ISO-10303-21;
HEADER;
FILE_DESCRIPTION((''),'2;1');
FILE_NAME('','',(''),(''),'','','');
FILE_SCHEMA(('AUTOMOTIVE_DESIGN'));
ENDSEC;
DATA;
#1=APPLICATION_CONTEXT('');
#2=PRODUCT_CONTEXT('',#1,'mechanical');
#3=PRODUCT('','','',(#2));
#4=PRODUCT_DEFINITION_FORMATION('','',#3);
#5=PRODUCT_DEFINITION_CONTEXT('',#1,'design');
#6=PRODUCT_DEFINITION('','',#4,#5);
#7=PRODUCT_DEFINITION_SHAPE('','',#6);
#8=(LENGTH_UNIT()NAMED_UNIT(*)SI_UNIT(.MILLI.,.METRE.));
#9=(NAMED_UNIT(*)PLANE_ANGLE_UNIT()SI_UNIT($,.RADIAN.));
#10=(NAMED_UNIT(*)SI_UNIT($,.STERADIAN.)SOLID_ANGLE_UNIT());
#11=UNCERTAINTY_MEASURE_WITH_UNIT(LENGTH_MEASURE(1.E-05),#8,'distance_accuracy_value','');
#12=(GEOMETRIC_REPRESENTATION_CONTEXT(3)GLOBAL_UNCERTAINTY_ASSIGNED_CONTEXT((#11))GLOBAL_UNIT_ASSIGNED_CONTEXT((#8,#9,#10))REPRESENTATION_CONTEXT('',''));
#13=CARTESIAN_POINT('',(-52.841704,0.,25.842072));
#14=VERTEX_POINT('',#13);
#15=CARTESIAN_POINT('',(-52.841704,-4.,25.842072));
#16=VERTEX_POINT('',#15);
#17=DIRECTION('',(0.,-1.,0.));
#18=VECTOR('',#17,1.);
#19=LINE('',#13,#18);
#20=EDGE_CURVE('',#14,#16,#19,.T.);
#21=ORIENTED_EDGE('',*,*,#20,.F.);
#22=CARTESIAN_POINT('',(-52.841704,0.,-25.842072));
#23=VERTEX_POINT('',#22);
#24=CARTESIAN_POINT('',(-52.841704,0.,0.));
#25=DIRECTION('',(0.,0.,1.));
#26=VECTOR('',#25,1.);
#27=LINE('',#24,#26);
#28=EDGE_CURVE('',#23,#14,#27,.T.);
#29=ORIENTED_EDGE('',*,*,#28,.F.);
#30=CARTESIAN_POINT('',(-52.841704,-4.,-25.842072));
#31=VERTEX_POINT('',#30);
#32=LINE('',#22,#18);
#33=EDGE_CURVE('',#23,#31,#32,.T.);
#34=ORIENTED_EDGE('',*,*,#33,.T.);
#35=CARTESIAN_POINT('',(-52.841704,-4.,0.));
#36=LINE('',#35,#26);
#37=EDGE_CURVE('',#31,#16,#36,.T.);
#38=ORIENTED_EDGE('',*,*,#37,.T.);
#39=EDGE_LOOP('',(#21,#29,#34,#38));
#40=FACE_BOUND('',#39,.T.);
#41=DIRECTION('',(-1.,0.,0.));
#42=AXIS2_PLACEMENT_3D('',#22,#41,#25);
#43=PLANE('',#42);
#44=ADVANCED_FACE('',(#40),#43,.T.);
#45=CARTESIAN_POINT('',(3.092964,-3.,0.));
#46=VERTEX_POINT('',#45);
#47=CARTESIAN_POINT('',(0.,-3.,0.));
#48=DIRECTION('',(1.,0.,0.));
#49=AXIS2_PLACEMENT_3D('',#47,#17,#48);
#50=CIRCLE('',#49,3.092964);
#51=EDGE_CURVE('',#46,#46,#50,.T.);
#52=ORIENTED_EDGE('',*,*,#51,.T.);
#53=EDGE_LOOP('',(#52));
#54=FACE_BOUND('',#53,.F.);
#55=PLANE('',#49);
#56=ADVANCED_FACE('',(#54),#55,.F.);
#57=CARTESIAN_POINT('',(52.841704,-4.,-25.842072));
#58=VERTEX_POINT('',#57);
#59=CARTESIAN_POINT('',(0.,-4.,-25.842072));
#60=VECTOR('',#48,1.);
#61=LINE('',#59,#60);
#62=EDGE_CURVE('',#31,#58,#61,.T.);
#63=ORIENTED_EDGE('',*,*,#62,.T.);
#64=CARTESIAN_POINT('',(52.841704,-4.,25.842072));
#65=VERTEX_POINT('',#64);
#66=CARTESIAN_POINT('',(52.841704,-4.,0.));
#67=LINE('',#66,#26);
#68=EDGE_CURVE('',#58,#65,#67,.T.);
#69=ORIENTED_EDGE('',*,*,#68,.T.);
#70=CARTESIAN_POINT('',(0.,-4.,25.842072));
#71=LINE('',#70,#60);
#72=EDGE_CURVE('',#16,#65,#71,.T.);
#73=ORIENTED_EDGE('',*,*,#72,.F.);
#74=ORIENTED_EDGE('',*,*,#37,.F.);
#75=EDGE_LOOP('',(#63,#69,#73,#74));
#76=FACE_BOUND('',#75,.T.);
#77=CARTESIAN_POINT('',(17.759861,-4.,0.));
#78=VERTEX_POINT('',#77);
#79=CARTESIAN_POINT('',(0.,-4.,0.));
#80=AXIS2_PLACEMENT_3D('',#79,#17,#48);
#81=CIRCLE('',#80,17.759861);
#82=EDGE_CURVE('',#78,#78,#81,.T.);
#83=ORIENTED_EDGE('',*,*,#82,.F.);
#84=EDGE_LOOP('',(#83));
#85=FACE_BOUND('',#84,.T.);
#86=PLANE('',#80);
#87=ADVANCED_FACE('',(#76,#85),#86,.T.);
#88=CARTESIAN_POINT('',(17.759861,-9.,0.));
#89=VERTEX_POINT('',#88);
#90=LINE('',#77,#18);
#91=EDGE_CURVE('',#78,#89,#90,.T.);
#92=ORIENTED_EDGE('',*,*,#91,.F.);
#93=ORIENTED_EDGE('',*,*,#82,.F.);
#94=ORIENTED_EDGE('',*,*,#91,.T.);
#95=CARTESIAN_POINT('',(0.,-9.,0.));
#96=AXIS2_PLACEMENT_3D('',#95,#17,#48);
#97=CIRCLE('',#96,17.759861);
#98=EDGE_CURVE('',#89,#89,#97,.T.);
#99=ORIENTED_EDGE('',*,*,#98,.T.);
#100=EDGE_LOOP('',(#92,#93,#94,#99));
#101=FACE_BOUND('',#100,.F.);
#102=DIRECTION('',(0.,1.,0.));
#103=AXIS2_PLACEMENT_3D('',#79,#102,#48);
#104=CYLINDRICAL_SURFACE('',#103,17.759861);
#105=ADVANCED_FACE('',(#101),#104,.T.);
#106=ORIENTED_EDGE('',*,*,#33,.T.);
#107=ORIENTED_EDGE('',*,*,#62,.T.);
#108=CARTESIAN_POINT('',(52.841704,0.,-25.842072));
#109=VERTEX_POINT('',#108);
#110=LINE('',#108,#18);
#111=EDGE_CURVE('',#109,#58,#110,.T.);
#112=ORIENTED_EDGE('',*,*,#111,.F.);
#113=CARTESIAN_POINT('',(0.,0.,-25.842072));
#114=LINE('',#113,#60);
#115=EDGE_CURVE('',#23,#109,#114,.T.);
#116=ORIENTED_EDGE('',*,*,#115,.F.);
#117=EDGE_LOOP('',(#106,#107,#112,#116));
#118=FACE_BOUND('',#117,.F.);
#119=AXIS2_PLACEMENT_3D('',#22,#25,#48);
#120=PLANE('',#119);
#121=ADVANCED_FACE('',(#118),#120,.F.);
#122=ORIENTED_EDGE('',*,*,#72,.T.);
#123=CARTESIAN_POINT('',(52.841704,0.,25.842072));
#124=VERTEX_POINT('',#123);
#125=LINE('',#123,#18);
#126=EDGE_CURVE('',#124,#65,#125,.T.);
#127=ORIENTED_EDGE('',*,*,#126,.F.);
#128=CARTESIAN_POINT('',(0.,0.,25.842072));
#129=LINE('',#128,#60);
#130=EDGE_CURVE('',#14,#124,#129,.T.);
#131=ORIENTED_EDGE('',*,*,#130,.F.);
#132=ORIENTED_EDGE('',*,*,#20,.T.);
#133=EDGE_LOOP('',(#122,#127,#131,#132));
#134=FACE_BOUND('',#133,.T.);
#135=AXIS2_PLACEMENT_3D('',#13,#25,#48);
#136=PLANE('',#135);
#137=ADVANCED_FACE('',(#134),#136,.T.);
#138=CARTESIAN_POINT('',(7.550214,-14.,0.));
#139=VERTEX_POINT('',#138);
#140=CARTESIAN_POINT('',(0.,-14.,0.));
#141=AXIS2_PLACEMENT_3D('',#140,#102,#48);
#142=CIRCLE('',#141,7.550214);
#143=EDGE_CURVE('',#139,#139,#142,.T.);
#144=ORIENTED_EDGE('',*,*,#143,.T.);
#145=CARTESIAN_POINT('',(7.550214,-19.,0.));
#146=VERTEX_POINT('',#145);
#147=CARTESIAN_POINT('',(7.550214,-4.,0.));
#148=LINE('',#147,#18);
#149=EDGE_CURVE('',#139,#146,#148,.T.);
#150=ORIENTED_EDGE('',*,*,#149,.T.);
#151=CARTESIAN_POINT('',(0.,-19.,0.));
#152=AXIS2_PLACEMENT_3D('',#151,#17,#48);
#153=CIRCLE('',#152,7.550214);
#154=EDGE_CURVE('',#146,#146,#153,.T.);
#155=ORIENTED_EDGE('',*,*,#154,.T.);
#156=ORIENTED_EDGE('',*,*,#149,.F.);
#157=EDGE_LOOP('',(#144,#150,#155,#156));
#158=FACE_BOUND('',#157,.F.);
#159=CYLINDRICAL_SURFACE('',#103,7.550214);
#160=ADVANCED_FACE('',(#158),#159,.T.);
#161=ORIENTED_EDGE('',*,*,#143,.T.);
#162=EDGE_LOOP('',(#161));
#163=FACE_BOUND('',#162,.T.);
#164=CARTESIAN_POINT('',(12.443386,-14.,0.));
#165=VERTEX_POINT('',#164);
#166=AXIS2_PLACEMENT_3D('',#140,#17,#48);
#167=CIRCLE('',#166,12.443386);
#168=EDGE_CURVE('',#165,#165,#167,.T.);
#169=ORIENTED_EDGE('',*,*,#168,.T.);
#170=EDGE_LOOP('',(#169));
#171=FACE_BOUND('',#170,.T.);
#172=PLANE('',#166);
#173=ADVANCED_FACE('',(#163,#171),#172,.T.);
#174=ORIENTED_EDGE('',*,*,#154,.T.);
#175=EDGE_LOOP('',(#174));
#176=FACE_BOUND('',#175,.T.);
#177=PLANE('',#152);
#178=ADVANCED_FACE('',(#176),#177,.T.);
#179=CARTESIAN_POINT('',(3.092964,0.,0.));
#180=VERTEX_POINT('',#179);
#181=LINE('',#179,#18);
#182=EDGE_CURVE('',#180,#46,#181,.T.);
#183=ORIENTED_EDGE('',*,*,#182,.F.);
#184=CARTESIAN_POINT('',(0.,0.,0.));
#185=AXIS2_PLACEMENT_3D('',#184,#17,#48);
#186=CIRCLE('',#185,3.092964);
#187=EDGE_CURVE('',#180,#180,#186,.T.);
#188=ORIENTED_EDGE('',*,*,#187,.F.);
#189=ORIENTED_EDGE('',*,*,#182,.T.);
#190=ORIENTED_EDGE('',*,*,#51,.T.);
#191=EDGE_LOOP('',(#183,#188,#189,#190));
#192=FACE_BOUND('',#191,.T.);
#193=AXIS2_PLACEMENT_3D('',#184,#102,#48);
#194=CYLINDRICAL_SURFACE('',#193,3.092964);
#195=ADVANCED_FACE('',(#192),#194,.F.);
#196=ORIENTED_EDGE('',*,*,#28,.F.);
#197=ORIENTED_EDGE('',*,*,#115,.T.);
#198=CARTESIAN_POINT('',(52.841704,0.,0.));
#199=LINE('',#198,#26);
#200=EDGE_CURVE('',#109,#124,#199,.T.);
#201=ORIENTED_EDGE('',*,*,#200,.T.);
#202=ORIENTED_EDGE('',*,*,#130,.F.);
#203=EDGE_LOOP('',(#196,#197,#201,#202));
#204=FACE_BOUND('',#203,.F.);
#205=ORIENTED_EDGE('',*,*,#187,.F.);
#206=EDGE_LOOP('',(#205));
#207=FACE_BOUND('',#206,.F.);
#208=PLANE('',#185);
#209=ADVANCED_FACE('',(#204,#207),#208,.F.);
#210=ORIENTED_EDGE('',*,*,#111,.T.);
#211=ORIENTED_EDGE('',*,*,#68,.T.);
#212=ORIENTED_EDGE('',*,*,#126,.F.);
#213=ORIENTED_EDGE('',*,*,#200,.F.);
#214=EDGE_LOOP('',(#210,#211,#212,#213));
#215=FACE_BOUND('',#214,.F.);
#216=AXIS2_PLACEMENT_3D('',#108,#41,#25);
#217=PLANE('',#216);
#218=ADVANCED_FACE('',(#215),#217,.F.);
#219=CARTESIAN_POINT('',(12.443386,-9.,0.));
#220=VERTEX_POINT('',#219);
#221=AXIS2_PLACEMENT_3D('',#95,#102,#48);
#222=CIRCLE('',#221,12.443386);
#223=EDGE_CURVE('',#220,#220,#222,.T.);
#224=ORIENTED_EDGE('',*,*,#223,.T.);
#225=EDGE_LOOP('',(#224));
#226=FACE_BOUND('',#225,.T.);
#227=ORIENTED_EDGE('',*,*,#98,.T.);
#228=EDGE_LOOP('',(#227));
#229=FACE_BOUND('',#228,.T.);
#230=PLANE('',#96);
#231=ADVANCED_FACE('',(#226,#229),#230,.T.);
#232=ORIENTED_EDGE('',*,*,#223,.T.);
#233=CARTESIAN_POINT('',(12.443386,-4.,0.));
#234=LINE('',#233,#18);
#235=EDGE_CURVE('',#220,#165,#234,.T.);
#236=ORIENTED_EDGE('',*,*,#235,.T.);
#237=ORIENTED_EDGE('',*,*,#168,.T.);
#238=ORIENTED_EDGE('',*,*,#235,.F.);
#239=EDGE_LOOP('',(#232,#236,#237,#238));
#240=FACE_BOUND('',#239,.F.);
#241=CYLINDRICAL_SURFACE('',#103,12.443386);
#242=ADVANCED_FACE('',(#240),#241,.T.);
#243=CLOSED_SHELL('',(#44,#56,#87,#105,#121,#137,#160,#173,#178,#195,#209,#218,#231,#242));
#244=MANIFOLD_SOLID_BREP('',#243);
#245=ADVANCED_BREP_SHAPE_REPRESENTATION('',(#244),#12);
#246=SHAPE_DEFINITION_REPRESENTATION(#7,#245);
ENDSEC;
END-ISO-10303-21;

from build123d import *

# Parameters (mm, degrees)
F0_W     = 105.6834086776
F0_H     = 51.6841448843
F0_R     = 17.6030862499
F0_R_2   = 12.5238799036
F0_R_3   = 7.5238607233
F0_R_4   = 3.1994051996
F0_R_5   = 1.8202490714
F1_DEPTH = 4
F2_R     = 17.7598613425
F3_DEPTH = 5
F4_R     = 12.4433858389
F5_DEPTH = 10
F6_R     = 7.5502139522
F7_DEPTH = 15
F8_R     = 3.0929644542
F9_DEPTH = 3


with BuildPart() as f1:
    # F0 (on Front) → F1 (new body)
    with BuildSketch(Plane.XZ):
        Rectangle(F0_W, F0_H)
        Circle(F0_R, mode=Mode.SUBTRACT)
        Circle(F0_R)
        Circle(F0_R_2, mode=Mode.SUBTRACT)
        Circle(F0_R_2)
        Circle(F0_R_3, mode=Mode.SUBTRACT)
        Circle(F0_R_3)
        Circle(F0_R_4, mode=Mode.SUBTRACT)
        Circle(F0_R_4)
        Circle(F0_R_5, mode=Mode.SUBTRACT)
        Circle(F0_R_5)
    extrude(amount=F1_DEPTH)

    # F2 (on face) → F3 (join)
    with BuildSketch(Plane.XZ.offset(4)):
        Circle(F2_R)
    extrude(amount=F3_DEPTH)

    # F4 (on face) → F5 (join)
    with BuildSketch(Plane.XZ.offset(4)):
        Circle(F4_R)
    extrude(amount=F5_DEPTH)

    # F6 (on face) → F7 (join)
    with BuildSketch(Plane.XZ.offset(4)):
        Circle(F6_R)
    extrude(amount=F7_DEPTH)

    # F8 (on Front) → F9 (cut)
    with BuildSketch(Plane.XZ):
        Circle(F8_R)
    extrude(amount=F9_DEPTH, mode=Mode.SUBTRACT)


solid = f1.part
